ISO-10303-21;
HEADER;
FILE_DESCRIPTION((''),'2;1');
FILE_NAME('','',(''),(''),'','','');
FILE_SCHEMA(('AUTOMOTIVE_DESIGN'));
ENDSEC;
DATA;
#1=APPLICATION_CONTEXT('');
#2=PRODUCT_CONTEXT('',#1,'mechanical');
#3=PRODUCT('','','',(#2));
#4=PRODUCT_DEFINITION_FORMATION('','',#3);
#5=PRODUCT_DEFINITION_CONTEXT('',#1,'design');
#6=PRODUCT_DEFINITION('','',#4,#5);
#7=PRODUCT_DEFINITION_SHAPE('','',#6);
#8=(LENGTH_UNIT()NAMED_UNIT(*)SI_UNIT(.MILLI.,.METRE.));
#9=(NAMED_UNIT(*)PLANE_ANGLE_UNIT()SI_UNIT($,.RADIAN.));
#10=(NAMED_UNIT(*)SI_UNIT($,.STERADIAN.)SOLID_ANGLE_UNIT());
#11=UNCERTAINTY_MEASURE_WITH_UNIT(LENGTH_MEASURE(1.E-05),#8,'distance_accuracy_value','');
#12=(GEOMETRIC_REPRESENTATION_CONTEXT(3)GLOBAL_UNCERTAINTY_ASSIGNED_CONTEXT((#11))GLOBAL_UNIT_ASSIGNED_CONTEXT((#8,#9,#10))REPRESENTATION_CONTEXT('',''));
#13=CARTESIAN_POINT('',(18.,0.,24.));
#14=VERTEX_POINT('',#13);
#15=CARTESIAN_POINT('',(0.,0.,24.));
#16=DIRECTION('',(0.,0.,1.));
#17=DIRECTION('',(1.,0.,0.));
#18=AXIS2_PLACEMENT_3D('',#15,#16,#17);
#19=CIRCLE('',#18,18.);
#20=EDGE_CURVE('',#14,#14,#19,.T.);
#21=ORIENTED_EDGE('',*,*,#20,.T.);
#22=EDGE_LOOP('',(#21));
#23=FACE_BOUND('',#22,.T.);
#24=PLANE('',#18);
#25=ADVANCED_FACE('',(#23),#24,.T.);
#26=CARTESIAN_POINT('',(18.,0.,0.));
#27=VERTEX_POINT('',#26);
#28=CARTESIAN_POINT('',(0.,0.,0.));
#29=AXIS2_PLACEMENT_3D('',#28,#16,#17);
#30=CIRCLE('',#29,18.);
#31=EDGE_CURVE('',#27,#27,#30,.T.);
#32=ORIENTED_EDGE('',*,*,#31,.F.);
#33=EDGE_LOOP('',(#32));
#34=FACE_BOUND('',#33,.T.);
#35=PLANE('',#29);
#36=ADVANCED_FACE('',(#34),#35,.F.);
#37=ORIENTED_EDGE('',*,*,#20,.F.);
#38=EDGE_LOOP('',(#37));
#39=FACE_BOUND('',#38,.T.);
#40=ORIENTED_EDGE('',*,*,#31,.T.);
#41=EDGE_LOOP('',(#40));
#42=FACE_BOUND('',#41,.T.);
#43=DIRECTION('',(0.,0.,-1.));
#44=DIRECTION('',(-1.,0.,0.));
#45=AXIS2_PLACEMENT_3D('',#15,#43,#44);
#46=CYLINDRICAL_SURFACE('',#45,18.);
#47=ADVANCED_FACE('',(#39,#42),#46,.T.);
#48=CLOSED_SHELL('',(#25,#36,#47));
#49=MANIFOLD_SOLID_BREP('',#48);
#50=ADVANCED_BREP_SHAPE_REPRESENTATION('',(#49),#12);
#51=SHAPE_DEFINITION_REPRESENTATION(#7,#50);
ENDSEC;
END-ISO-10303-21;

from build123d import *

# Parameters (mm, degrees)
SKETCH_1_R      = 18
EXTRUDE_1_DEPTH = 24


with BuildPart() as part:
    # 草图1 → 凸台-拉伸1 (new body)
    with BuildSketch(Plane.XY):
        Circle(SKETCH_1_R)
    extrude(amount=EXTRUDE_1_DEPTH)


solid = part.part
